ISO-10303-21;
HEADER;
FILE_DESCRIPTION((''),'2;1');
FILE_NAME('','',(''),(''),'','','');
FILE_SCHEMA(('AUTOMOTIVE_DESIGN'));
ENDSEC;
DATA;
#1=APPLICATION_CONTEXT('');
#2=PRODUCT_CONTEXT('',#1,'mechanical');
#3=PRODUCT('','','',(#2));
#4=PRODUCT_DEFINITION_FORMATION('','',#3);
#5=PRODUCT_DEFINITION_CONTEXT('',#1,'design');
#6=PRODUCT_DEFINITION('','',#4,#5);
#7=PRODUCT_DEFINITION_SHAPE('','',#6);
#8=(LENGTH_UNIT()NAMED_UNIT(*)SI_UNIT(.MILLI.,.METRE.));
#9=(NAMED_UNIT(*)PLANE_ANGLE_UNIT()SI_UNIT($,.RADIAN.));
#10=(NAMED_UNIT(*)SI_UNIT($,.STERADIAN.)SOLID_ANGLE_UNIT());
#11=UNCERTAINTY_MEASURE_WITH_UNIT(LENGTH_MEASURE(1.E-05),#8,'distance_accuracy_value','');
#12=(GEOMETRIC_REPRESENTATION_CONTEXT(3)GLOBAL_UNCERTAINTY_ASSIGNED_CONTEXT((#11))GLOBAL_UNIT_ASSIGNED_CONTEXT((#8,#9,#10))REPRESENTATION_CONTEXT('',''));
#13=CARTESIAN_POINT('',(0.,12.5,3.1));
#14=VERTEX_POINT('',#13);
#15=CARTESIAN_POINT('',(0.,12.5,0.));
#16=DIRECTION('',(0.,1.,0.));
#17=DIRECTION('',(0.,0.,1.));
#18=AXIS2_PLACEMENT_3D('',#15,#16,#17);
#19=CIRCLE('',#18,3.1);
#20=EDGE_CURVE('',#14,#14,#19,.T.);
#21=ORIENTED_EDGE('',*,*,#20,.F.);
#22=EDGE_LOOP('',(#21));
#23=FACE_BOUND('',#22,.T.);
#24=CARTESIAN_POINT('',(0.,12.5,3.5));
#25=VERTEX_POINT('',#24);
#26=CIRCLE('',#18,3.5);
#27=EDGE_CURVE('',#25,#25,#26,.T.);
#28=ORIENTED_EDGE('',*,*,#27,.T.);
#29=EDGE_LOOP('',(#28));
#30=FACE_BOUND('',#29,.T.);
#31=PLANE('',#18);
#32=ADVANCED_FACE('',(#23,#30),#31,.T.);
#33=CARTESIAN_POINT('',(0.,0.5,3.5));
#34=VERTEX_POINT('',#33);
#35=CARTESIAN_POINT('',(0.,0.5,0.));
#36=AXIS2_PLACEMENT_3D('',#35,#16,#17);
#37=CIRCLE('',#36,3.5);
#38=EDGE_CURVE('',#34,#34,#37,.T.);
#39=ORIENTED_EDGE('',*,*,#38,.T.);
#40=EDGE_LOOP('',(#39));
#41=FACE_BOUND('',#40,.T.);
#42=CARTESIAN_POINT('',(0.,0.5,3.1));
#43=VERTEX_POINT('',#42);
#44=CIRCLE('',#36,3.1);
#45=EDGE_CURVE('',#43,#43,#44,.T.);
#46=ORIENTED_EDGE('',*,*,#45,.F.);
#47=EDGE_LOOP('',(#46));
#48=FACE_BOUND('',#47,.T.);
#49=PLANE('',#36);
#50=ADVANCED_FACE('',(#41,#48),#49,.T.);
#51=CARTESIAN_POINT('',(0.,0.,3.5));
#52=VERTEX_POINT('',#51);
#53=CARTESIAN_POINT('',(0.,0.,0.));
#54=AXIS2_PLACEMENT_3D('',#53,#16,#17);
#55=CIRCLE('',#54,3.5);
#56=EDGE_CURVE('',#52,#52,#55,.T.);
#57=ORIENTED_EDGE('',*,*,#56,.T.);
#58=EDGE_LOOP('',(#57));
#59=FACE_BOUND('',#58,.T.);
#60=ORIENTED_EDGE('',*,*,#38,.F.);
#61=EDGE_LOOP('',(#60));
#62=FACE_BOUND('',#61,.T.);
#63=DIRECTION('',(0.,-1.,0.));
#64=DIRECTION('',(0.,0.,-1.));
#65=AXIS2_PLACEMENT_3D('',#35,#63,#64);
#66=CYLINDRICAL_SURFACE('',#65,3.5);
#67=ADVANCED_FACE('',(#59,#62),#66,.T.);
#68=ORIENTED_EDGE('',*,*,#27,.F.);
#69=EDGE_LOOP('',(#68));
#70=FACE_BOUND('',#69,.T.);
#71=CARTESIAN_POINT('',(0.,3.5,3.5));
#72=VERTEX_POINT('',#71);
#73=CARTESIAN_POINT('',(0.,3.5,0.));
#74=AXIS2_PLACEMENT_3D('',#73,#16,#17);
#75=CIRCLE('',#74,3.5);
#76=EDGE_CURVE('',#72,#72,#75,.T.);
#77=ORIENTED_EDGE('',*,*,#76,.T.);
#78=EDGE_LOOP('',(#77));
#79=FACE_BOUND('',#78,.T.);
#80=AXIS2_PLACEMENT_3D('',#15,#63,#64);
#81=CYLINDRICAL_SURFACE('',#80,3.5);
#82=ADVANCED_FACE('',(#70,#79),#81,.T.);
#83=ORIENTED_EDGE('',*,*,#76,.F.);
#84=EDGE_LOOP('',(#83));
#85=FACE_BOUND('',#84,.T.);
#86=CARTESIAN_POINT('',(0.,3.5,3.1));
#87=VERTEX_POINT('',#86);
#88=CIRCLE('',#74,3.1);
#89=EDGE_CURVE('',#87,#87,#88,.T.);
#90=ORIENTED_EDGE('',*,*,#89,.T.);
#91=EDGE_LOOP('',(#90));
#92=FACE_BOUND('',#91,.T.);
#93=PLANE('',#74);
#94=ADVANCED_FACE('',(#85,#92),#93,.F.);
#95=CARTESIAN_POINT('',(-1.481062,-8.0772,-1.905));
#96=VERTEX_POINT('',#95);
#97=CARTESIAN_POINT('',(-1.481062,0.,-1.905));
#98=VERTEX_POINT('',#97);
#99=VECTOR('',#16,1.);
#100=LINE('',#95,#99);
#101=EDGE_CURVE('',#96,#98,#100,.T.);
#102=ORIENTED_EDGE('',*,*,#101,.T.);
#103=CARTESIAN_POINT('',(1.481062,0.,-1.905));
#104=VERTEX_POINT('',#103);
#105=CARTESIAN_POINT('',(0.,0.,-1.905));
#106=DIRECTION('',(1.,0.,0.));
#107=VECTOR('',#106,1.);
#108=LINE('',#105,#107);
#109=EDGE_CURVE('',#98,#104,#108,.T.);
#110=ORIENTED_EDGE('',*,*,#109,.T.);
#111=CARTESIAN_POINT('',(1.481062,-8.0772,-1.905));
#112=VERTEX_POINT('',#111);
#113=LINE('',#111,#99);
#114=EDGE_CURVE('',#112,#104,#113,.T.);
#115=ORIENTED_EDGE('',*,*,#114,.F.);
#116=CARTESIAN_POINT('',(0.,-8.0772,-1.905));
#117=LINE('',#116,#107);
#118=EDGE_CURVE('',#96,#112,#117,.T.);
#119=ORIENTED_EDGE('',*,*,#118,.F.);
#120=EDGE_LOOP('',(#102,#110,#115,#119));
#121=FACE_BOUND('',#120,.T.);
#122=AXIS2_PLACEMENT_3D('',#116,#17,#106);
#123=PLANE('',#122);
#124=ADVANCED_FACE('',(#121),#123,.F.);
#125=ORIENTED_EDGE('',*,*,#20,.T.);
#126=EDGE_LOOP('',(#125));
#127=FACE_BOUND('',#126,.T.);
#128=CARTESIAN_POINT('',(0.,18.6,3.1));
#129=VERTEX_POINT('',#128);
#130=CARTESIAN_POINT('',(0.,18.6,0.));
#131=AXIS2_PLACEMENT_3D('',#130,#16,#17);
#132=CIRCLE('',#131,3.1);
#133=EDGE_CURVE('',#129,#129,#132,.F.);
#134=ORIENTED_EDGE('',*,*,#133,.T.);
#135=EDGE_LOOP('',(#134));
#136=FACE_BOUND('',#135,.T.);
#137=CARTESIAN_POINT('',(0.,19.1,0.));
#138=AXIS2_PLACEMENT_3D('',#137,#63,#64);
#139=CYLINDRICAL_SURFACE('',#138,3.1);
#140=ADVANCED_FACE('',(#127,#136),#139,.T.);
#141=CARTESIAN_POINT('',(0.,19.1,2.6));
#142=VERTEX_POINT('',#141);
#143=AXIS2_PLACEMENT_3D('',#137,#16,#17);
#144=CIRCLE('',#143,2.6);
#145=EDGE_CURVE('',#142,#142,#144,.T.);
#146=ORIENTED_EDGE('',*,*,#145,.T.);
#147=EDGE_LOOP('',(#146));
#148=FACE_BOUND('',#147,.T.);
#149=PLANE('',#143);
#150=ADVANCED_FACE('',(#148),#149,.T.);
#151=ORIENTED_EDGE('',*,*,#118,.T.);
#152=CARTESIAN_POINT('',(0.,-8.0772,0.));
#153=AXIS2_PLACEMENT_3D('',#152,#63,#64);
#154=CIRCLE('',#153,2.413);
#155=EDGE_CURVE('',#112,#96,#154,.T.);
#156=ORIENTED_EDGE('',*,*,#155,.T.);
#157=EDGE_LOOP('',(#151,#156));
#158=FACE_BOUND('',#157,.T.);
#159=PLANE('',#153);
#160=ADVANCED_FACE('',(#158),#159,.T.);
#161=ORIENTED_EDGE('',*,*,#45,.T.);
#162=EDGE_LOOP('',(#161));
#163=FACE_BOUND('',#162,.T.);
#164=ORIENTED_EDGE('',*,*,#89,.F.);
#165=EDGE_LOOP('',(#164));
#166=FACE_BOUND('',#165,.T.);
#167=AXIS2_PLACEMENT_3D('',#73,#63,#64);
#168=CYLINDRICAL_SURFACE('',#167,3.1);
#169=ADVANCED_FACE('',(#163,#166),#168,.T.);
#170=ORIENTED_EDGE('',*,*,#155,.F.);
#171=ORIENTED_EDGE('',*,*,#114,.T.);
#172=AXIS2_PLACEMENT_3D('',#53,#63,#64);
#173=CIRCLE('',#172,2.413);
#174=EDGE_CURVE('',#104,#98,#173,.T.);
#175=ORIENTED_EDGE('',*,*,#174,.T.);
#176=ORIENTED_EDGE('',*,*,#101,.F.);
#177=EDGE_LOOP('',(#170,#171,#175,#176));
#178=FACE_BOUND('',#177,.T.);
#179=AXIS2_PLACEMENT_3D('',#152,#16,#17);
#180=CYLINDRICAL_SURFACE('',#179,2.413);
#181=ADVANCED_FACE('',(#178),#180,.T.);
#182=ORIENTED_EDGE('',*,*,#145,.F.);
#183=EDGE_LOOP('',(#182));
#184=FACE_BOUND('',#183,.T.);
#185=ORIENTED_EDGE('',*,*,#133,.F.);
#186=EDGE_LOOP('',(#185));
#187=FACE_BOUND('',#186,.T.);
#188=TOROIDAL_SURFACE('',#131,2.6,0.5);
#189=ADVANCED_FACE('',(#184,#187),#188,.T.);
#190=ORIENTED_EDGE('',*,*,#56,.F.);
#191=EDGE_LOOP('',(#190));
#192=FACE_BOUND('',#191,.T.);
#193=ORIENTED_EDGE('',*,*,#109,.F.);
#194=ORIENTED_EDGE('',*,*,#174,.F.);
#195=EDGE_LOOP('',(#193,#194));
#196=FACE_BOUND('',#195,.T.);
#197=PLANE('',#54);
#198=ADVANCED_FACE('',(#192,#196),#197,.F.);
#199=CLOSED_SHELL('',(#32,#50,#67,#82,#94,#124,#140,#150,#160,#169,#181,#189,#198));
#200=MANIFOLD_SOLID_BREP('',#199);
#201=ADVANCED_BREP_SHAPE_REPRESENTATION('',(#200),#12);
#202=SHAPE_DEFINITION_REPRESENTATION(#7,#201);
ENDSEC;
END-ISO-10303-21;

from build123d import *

# Parameters (mm, degrees)
SKETCH1_R           = 3.5
BOSS_EXTRUDE1_DEPTH = 0.5
SKETCH2_R           = 3.1
BOSS_EXTRUDE2_DEPTH = 3
SKETCH3_R           = 3.5
BOSS_EXTRUDE3_DEPTH = 9
SKETCH4_R           = 3.1
BOSS_EXTRUDE4_DEPTH = 6.6
FILLET1_R           = 0.5
BOSS_EXTRUDE5_DEPTH = 8.0772


with BuildPart() as part:
    # Sketch1 → Boss-Extrude1 (new body)
    with BuildSketch(Plane(origin=(0, 0, 0), x_dir=(1, 0, 0), z_dir=(0, 1, 0))):
        with Locations(Location((0, 0, 0), (0, 0, 270))):
            Circle(SKETCH1_R)
    extrude(amount=BOSS_EXTRUDE1_DEPTH)

    # Sketch2 → Boss-Extrude2 (add)
    with BuildSketch(Plane(origin=(0, 0.5, 0), x_dir=(1, 0, 0), z_dir=(0, 1, 0))):
        with Locations(Location((0, 0, 0), (0, 0, 270))):
            Circle(SKETCH2_R)
    extrude(amount=BOSS_EXTRUDE2_DEPTH)

    # Sketch3 → Boss-Extrude3 (add)
    with BuildSketch(Plane(origin=(0, 3.5, 0), x_dir=(1, 0, 0), z_dir=(0, 1, 0))):
        with Locations(Location((0, 0, 0), (0, 0, 270))):
            Circle(SKETCH3_R)
    extrude(amount=BOSS_EXTRUDE3_DEPTH)

    # Sketch4 → Boss-Extrude4 (add)
    with BuildSketch(Plane(origin=(0, 12.5, 0), x_dir=(1, 0, 0), z_dir=(0, 1, 0))):
        with Locations(Location((0, 0, 0), (0, 0, 270))):
            Circle(SKETCH4_R)
    extrude(amount=BOSS_EXTRUDE4_DEPTH)

    # Fillet1
    fillet1_edges = [part.edges().sort_by_distance(p)[0] for p in [
        (0, 19.1, -3.1),
    ]]
    fillet(fillet1_edges, radius=FILLET1_R)

    # Sketch5 → Boss-Extrude5 (add)
    with BuildSketch(Plane.XZ):
        with BuildLine():
            ThreePointArc((2.413, 0), (-1.060369493, 2.167529824), (-1.481061781, -1.905))
            Line((-1.481061781, -1.905), (1.481061781, -1.905))
            ThreePointArc((1.481061781, -1.905), (2.167529824, -1.060369493), (2.413, 0))
        make_face()
    extrude(amount=BOSS_EXTRUDE5_DEPTH)


solid = part.part
